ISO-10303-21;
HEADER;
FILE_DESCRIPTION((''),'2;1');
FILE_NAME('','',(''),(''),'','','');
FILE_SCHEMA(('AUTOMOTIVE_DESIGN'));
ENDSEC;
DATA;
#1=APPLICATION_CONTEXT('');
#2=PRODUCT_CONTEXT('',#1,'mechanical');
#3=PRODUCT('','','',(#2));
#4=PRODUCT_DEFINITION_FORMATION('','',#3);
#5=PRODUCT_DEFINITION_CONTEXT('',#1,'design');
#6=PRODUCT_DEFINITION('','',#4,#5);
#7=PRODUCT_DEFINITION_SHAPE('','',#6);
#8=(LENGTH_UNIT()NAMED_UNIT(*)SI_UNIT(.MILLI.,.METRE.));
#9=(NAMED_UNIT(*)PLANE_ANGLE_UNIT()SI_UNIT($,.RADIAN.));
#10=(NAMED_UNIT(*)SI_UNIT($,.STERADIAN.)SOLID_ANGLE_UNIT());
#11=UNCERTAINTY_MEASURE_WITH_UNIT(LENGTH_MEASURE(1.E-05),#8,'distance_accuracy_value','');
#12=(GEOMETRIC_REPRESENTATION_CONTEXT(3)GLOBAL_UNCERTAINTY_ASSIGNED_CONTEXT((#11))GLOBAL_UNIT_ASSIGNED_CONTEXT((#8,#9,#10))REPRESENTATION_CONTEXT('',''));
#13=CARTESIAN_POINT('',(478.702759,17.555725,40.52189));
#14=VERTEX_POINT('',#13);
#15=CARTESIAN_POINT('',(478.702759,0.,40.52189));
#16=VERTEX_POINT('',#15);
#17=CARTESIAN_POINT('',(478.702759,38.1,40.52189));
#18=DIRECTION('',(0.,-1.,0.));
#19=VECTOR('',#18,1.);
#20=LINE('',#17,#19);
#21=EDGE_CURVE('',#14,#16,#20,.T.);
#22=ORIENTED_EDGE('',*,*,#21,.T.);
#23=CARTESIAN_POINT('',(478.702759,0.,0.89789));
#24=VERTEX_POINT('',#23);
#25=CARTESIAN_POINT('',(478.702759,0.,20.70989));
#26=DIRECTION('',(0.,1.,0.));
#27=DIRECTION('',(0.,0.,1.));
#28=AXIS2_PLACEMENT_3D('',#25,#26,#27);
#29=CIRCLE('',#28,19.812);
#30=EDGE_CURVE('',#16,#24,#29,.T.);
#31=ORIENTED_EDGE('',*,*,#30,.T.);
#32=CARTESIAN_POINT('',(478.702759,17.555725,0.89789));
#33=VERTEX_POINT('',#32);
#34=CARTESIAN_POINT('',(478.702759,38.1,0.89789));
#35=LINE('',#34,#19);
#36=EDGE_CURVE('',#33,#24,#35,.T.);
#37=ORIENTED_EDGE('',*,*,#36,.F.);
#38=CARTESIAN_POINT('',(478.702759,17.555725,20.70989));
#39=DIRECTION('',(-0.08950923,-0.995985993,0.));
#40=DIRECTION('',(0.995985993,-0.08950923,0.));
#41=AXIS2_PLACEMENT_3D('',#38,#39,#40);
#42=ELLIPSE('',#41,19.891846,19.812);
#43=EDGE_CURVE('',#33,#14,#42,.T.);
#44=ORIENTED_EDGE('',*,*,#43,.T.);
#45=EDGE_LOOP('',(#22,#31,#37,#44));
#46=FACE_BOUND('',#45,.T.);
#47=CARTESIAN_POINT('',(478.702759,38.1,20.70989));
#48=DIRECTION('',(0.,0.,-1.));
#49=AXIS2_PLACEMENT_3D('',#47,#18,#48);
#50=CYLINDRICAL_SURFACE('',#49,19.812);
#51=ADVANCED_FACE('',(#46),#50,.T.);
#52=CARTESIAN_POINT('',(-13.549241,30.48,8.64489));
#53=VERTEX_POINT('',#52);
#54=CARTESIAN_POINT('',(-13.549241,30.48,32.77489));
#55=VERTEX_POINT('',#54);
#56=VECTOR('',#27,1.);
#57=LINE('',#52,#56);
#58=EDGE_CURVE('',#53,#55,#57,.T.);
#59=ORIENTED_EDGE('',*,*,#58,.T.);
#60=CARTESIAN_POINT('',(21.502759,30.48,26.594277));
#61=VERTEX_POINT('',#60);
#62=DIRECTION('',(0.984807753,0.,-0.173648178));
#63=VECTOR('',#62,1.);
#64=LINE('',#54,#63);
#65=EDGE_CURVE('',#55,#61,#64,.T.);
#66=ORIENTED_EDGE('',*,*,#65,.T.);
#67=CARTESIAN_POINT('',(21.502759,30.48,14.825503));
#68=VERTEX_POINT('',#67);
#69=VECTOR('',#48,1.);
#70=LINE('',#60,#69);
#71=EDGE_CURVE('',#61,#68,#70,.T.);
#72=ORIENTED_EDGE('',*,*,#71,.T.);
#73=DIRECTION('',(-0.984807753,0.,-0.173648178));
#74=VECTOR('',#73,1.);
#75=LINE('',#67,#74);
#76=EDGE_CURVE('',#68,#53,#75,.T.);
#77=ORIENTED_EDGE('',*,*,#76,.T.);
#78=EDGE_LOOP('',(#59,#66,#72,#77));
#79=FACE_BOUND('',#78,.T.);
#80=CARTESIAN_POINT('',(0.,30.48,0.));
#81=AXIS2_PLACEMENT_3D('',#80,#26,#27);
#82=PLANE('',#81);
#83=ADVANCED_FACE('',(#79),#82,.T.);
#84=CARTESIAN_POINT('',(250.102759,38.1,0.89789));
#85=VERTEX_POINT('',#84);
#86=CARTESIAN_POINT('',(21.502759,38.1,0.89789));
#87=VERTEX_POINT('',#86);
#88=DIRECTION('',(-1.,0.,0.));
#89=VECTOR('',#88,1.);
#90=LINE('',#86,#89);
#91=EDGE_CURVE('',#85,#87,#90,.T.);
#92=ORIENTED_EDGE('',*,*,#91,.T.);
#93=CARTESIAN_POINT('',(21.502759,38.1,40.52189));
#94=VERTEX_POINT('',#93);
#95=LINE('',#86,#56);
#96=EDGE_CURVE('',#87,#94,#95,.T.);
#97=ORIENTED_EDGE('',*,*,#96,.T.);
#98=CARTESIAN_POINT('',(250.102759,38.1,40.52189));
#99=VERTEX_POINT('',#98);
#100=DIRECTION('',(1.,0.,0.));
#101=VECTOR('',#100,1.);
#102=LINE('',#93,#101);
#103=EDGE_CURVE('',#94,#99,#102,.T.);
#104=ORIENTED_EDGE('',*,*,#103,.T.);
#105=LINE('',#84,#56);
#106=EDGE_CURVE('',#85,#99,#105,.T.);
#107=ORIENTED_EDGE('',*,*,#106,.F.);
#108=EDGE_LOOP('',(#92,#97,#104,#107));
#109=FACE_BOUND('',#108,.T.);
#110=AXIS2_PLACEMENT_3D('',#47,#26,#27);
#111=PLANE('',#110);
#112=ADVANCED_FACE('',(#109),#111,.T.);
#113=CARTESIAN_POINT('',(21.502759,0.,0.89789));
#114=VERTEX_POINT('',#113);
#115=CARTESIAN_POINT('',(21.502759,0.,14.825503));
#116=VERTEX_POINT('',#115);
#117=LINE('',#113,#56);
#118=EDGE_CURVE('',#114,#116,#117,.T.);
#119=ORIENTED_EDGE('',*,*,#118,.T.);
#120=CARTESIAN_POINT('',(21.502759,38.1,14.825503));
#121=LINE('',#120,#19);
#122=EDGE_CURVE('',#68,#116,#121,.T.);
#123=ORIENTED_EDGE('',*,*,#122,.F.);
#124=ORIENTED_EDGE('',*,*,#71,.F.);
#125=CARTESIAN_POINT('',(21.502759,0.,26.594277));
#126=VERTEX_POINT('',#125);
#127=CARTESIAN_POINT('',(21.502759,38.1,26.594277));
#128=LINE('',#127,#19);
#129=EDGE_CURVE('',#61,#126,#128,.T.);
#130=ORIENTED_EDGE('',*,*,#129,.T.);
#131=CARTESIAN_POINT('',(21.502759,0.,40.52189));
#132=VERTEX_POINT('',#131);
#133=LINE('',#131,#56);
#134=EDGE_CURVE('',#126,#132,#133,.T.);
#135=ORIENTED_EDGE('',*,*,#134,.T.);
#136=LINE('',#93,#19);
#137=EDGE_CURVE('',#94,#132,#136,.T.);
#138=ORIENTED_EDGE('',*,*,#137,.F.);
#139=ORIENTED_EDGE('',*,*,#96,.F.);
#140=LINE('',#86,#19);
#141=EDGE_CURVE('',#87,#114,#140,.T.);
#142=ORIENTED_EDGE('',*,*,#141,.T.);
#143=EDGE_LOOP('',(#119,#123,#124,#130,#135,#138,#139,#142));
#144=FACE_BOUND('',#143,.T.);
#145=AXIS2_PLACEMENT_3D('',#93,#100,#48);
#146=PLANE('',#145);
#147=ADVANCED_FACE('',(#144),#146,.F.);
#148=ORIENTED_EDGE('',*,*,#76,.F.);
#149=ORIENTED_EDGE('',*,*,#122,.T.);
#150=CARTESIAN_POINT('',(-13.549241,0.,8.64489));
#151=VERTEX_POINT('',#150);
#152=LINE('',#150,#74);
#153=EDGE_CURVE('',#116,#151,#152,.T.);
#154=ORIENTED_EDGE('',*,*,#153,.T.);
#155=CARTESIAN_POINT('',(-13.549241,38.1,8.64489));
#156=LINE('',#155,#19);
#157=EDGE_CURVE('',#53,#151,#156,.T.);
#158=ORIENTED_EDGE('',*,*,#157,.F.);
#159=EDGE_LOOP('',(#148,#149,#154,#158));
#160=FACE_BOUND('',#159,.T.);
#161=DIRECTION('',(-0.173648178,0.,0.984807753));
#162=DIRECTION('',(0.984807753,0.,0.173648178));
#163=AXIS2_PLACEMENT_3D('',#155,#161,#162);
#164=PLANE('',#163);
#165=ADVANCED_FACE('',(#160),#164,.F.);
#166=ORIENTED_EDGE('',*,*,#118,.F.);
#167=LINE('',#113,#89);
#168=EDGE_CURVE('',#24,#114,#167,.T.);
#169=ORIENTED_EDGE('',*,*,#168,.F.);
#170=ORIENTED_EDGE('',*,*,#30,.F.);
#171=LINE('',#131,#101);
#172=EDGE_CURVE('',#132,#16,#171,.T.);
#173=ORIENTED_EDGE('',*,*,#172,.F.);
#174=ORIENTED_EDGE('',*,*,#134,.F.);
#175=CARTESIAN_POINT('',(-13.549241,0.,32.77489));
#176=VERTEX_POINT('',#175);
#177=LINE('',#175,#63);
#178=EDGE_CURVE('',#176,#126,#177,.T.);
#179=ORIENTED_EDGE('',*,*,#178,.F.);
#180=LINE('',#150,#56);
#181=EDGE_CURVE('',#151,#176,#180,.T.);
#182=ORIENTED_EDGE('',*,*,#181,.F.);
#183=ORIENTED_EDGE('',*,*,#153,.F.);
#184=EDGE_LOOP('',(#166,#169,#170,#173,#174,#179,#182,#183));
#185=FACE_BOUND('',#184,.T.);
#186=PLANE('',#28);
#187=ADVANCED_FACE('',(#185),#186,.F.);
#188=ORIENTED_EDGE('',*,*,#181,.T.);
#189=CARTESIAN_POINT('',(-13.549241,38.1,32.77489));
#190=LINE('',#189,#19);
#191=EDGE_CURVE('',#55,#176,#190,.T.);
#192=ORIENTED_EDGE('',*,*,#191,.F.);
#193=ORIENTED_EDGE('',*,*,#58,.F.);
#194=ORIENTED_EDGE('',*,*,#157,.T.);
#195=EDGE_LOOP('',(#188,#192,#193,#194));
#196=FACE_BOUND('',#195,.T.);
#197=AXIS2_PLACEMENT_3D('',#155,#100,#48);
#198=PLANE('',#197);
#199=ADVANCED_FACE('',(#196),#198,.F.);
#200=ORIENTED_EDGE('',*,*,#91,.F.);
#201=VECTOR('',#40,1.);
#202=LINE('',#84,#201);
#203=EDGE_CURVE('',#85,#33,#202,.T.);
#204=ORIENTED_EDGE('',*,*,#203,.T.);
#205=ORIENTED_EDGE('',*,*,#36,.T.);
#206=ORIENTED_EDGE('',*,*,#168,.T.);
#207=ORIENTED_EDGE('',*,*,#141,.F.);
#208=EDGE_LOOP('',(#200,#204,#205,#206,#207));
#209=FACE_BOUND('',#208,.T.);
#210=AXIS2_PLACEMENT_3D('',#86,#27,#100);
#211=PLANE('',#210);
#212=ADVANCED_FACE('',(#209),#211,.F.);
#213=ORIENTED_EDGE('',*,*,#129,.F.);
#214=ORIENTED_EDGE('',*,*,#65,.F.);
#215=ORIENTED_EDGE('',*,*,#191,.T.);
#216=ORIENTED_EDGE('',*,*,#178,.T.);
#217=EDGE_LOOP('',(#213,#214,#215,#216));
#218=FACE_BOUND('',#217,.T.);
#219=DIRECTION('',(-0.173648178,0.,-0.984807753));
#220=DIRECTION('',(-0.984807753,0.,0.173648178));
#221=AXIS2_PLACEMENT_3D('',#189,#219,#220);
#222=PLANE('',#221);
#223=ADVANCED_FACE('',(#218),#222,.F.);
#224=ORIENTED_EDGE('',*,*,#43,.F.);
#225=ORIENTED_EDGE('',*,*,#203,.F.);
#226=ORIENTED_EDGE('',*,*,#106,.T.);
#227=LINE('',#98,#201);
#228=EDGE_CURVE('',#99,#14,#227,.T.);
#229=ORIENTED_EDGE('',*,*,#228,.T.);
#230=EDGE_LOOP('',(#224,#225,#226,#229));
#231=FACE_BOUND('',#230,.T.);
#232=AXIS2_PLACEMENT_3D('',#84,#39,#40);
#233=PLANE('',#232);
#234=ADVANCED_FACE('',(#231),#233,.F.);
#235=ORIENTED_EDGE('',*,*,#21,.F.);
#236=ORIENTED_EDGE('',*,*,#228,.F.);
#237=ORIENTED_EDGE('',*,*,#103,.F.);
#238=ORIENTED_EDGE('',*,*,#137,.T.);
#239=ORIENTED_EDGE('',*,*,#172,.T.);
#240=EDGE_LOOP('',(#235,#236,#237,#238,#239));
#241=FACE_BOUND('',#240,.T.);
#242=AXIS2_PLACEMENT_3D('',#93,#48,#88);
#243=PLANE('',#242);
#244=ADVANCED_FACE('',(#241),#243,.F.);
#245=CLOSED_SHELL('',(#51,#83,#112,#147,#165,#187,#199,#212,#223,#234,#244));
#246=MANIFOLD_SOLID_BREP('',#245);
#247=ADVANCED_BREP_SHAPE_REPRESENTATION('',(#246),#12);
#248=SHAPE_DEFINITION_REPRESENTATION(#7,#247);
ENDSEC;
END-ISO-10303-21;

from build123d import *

# Parameters (mm, degrees)
BOSS_EXTRUDE1_DEPTH = 38.1
CUT_EXTRUDE1_DEPTH  = 7.62
CUT_EXTRUDE4_DEPTH  = 39.624


with BuildPart() as part:
    # Sketch2 → Boss-Extrude1 (new body)
    with BuildSketch(Plane(origin=(0, 0, 0), x_dir=(1, 0, 0), z_dir=(0, 1, 0))):
        with BuildLine():
            Line((-13.549240888, -8.64489), (-13.549240888, -32.77489))
            Line((-13.549240888, -32.77489), (21.502759112, -26.594276672))
            Line((21.502759112, -26.594276672), (21.502759112, -40.52189))
            Line((21.502759112, -40.52189), (478.702759112, -40.52189))
            ThreePointArc((478.702759112, -40.52189), (498.514759112, -20.70989), (478.702759112, -0.89789))
            Line((478.702759112, -0.89789), (21.502759112, -0.89789))
            Line((21.502759112, -0.89789), (21.502759112, -14.825503328))
            Line((21.502759112, -14.825503328), (-13.549240888, -8.64489))
        make_face()
    extrude(amount=BOSS_EXTRUDE1_DEPTH)

    # Sketch3 → Cut-Extrude1 (cut)
    with BuildSketch(Plane(origin=(0, 38.1, 0), x_dir=(1, 0, 0), z_dir=(0, 1, 0))):
        Polygon((-13.549240888, -8.64489), (-13.549240888, -32.77489), (21.502759112, -26.594276672), (21.502759112, -14.825503328), align=None)
    extrude(amount=-CUT_EXTRUDE1_DEPTH, mode=Mode.SUBTRACT)

    # Sketch5 → Cut-Extrude4 (cut)
    with BuildSketch(Plane.XY.offset(40.52189)):
        Polygon((250.102759112, 38.1), (498.514759112, 15.775221318), (498.514759112, 38.1), align=None)
    extrude(amount=-CUT_EXTRUDE4_DEPTH, mode=Mode.SUBTRACT)


solid = part.part
